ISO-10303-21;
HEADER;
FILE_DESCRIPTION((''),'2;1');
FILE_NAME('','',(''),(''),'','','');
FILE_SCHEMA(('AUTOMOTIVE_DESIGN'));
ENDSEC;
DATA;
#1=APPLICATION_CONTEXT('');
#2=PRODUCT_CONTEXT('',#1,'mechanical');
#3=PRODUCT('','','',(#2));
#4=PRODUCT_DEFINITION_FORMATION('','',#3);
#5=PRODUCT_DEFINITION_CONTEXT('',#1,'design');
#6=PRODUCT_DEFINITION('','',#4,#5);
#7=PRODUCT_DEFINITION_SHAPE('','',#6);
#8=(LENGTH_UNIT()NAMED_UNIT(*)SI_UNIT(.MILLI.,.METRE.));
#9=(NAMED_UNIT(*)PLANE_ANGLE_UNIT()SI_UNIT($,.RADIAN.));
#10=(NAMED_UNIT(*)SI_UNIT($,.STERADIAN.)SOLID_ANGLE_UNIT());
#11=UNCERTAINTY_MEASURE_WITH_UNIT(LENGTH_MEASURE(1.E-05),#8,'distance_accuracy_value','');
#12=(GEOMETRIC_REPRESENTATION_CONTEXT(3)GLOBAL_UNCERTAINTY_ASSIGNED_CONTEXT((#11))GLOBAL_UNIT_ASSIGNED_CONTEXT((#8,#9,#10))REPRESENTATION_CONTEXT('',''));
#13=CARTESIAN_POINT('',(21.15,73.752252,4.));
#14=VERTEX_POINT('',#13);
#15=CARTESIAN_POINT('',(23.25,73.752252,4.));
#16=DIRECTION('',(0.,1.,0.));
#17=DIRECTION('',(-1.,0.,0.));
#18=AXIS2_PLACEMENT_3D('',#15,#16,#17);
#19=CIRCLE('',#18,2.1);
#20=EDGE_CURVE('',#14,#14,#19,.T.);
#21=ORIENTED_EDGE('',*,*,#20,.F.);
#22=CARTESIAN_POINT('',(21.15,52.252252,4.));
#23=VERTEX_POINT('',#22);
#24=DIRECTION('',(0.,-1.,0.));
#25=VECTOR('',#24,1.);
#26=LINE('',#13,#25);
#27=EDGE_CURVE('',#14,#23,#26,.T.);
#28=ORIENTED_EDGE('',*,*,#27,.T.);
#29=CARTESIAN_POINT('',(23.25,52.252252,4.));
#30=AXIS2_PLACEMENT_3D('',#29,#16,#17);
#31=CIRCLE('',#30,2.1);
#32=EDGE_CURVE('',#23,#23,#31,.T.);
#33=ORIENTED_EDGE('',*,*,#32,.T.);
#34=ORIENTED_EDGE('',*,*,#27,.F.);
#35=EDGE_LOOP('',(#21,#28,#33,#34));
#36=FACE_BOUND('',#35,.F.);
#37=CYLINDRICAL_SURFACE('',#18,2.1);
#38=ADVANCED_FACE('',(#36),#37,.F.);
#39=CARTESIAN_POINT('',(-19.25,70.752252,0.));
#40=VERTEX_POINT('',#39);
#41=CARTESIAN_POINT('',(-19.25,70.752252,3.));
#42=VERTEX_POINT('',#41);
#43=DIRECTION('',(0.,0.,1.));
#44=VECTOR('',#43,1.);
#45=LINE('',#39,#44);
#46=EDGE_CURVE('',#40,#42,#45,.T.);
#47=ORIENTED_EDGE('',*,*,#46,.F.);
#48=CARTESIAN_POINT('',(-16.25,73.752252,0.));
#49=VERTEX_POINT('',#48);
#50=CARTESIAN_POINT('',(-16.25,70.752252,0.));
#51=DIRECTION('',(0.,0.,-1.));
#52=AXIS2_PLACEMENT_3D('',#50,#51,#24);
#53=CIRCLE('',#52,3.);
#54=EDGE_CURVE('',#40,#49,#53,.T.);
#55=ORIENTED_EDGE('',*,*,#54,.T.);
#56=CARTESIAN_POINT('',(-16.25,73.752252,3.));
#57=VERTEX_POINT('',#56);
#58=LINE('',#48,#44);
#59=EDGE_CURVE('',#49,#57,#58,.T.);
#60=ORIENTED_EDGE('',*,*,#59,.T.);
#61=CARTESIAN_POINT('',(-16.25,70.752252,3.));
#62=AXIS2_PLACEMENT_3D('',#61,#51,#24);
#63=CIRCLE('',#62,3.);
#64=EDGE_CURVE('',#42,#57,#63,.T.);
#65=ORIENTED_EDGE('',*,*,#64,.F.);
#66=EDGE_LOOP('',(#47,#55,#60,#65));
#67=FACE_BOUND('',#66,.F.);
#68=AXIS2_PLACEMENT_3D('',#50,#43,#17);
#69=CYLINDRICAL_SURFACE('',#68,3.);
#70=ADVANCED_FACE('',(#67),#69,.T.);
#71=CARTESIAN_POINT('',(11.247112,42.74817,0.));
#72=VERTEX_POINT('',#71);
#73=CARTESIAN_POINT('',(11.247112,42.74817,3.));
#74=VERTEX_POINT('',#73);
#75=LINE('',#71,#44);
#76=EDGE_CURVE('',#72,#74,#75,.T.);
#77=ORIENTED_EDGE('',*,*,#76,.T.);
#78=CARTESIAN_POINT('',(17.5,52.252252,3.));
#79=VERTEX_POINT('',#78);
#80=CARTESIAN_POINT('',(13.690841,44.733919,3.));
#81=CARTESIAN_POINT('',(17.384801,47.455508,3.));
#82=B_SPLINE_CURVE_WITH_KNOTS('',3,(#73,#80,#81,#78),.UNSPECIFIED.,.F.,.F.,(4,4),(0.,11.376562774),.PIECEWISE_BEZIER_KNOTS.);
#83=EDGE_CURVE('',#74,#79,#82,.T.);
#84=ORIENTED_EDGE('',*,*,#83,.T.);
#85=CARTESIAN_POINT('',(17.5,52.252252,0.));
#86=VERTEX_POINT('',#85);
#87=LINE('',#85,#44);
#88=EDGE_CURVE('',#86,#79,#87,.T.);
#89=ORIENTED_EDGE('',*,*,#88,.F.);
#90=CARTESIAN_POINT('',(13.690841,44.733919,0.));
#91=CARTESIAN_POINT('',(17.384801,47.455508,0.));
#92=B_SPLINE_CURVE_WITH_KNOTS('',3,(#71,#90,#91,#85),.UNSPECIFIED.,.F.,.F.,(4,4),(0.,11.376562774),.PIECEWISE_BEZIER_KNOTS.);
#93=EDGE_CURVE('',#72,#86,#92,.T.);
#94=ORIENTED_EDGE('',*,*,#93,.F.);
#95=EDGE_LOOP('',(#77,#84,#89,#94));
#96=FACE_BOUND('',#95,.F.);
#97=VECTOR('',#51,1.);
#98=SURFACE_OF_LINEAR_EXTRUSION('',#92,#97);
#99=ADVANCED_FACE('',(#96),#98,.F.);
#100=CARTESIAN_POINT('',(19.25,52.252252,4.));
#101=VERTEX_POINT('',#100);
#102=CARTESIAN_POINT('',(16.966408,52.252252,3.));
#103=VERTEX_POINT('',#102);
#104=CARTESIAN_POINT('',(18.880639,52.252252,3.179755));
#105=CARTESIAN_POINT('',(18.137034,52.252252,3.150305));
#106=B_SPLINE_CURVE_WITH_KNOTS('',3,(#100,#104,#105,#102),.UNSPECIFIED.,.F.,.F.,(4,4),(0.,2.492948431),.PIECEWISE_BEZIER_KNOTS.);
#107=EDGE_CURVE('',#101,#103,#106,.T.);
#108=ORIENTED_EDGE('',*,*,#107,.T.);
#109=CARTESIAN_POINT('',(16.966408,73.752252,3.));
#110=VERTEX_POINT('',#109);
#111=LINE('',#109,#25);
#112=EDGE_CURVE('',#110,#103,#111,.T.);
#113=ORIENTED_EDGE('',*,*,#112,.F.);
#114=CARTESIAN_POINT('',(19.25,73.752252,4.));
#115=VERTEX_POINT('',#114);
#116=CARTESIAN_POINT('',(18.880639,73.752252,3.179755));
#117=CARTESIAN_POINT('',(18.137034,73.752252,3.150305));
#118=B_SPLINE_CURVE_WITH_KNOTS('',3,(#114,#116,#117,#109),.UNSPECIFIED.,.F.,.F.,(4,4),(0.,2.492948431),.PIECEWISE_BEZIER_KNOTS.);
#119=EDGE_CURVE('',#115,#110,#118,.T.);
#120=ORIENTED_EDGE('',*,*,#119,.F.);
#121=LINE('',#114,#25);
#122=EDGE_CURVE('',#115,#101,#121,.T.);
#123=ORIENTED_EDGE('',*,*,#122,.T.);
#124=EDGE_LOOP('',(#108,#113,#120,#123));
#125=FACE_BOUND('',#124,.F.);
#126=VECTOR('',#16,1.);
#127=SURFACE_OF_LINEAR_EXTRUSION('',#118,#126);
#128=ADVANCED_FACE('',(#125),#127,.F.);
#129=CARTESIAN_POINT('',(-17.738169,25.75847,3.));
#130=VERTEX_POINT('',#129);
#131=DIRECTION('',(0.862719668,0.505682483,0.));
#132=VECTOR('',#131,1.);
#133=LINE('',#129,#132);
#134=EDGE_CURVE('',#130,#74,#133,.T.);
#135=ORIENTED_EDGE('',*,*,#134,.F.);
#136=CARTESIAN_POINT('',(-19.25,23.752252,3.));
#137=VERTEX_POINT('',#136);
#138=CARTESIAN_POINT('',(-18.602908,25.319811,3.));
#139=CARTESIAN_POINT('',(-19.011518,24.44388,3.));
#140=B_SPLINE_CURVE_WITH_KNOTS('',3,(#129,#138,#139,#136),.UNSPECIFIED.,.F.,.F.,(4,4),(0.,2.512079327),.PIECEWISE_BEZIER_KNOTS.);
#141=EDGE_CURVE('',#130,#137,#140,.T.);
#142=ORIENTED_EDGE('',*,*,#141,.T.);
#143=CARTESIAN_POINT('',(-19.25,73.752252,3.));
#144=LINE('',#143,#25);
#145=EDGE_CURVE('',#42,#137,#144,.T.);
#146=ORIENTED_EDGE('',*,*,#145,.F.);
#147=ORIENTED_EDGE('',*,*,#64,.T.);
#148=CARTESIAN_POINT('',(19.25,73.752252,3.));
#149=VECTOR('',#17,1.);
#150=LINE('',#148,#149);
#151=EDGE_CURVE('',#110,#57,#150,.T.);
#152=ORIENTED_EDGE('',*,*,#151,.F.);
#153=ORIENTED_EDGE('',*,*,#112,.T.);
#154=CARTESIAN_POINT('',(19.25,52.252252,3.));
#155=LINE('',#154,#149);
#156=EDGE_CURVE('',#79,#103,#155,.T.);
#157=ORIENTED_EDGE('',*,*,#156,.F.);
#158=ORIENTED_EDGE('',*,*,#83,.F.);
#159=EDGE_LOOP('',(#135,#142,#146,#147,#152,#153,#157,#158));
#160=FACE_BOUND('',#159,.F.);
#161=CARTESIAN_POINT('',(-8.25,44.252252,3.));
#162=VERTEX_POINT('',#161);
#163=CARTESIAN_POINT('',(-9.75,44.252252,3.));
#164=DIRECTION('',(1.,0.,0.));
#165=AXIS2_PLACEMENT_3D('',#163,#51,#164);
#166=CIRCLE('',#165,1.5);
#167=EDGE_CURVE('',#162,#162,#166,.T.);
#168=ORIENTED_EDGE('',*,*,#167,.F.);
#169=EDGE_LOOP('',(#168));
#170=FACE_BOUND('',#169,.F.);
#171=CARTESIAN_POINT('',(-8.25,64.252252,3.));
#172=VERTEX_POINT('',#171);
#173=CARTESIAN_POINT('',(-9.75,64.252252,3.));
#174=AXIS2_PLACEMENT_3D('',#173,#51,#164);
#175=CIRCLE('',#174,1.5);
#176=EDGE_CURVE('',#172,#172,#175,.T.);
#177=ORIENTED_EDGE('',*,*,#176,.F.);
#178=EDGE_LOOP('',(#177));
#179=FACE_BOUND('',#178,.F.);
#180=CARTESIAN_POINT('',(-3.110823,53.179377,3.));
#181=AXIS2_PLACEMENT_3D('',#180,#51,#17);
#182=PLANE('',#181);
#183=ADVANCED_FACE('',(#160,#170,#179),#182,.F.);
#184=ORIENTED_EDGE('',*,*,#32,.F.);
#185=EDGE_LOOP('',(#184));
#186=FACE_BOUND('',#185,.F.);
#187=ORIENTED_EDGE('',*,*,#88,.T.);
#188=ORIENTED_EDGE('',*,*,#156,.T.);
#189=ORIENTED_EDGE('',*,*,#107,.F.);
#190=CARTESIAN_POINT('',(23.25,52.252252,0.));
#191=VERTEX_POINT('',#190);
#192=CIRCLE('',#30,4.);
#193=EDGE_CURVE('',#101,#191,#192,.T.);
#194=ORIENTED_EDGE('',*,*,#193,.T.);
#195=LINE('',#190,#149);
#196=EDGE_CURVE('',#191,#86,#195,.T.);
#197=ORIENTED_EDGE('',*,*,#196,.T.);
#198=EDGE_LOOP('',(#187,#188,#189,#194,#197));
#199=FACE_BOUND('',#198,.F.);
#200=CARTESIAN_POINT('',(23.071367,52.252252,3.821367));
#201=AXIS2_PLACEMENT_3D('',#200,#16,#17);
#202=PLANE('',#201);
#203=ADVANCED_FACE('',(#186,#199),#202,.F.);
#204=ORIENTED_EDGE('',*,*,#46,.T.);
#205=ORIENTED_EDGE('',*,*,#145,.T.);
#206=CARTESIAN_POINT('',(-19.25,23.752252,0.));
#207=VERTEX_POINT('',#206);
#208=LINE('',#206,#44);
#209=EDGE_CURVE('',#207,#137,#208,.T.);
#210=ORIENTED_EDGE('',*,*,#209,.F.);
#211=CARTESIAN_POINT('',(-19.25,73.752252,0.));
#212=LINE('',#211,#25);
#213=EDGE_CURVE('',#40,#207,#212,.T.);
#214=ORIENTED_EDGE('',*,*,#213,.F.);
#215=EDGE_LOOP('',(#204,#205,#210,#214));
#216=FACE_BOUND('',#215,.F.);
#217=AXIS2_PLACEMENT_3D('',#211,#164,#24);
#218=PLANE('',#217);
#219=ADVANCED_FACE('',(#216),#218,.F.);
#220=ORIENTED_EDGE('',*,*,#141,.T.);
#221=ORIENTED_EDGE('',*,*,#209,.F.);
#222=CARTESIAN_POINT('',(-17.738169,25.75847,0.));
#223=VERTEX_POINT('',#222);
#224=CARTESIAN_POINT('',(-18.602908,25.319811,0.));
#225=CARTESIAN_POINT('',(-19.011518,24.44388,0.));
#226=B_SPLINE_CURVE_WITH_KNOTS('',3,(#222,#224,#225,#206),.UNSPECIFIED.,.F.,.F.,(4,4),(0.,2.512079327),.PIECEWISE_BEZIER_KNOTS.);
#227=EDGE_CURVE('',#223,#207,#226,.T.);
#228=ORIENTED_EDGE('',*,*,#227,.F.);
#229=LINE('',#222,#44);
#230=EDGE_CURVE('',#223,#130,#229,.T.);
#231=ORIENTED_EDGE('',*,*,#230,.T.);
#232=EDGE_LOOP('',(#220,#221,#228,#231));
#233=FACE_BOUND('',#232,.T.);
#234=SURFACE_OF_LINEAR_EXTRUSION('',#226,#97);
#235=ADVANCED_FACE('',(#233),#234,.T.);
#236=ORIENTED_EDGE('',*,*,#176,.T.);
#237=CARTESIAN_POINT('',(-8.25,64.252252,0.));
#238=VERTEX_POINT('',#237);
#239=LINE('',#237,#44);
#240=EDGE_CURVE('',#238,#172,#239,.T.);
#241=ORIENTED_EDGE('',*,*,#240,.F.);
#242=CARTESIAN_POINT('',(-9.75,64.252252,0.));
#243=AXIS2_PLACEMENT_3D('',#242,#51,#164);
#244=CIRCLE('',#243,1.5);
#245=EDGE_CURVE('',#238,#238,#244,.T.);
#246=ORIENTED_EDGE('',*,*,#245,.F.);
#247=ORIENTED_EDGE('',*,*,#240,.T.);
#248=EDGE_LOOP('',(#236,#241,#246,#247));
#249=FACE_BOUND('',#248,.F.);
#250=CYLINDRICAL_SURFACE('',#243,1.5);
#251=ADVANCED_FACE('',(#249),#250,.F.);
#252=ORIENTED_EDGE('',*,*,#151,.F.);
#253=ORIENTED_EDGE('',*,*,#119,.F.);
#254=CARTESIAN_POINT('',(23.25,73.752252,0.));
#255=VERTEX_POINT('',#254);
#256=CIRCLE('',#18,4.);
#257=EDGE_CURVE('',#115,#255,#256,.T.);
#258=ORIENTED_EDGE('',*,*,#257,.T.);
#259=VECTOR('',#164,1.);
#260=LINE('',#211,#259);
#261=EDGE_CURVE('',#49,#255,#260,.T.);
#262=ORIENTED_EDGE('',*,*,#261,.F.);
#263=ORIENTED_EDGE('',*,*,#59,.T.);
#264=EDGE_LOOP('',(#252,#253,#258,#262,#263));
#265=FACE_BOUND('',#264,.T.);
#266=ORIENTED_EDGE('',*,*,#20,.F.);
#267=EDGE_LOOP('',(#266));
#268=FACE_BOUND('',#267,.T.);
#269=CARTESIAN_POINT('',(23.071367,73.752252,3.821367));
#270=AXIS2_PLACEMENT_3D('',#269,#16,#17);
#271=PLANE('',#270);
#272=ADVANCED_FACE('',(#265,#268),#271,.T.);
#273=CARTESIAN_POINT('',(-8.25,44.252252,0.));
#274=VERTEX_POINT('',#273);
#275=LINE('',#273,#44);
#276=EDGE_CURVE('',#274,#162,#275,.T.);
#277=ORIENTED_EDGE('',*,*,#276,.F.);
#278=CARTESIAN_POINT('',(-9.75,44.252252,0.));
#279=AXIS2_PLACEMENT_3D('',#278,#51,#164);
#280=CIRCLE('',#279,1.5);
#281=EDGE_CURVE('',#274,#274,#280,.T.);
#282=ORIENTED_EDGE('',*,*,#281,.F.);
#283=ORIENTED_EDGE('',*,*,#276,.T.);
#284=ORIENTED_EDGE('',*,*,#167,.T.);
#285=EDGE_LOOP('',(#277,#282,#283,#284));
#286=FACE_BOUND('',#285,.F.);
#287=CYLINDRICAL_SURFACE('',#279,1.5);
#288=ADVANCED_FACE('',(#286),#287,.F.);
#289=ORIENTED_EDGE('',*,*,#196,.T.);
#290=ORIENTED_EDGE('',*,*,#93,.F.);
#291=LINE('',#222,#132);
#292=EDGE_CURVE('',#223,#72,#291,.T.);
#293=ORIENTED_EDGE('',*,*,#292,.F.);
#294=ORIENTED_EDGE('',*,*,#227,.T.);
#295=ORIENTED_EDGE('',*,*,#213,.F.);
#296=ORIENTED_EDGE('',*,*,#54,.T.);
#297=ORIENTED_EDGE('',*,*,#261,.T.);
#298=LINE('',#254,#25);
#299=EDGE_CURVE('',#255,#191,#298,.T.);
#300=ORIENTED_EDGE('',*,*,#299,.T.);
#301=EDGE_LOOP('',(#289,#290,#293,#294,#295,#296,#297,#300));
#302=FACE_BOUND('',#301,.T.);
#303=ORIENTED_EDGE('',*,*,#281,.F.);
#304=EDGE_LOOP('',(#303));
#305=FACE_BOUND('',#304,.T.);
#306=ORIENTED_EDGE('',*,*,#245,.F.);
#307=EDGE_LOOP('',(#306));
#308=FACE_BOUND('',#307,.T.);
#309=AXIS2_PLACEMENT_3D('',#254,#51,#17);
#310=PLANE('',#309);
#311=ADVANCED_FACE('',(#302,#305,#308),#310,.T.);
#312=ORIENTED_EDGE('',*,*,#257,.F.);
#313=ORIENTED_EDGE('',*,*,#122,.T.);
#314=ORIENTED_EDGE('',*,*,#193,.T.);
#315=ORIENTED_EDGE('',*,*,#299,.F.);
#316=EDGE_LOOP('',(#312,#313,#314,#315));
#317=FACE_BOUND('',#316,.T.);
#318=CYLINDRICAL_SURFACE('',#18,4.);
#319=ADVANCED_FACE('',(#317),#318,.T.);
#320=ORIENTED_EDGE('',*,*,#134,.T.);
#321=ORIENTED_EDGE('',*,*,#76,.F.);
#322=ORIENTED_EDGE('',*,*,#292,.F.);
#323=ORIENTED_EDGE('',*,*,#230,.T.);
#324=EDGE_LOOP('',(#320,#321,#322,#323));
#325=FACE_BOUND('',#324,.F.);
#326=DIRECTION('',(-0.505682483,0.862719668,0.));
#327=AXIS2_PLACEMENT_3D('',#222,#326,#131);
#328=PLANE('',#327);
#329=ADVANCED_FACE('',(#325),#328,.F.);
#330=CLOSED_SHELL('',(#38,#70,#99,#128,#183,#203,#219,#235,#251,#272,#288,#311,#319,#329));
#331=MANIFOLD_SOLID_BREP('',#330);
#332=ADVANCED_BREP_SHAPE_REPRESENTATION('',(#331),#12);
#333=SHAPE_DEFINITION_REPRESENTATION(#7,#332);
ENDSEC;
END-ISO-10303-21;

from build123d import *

# Parameters (mm, degrees)
F1_DEPTH = 3
F2_R     = 2.1
F3_DEPTH = 21.5
F4_R     = 3
F5_R     = 1.5
F6_DEPTH = 3


with BuildPart() as f1:
    # F0 (on Top) → F1 (new body)
    with BuildSketch(Plane.XY):
        with BuildLine():
            add(Edge.make_bspline(
                [(-17.7381685377, 25.758469689), (-18.6029082943, 25.3198112197), (-19.0115179867, 24.4438797075), (-19.25, 23.7522523094)],
                knots=[0, 0, 0, 0, 2.5120793269, 2.5120793269, 2.5120793269, 2.5120793269], degree=3))
            Line((-17.7381685377, 25.758469689), (11.2471123299, 42.7481702213))
            add(Edge.make_bspline(
                [(11.2471123299, 42.7481702213), (13.6908411554, 44.7339186325), (17.38480106, 47.4555082619), (17.5, 52.2522523094)],
                knots=[0, 0, 0, 0, 11.376562774, 11.376562774, 11.376562774, 11.376562774], degree=3))
            Line((17.5, 52.2522523094), (19.25, 52.2522523094))
            Line((19.25, 52.2522523094), (19.25, 73.7522523094))
            Line((19.25, 73.7522523094), (-19.25, 73.7522523094))
            Line((-19.25, 73.7522523094), (-19.25, 23.7522523094))
        make_face()
    extrude(amount=F1_DEPTH)

    # F2 (on face) → F3 (join)
    with BuildSketch(Plane(origin=(0, 73.7522523094, 0), x_dir=(-1, 0, 0), z_dir=(0, 1, 0))):
        with BuildLine():
            ThreePointArc((-23.25, 0), (-20.4215728753, 1.1715728753), (-19.25, 4))
            ThreePointArc((-19.25, 4), (-26.0784271247, 6.8284271247), (-23.25, 0))
        make_face()
        with Locations((-23.25, 4)):
            Circle(F2_R, mode=Mode.SUBTRACT)
        with BuildLine():
            Line((-23.25, 0), (-19.25, 0))
            Line((-19.25, 0), (-19.25, 3))
            Line((-19.25, 3), (-16.9664081186, 3))
            add(Edge.make_bspline(
                [(-19.25, 4), (-18.8806392252, 3.1797552947), (-18.1370340288, 3.1503054779), (-16.9664081186, 3)],
                knots=[0, 0, 0, 0, 2.4929484312, 2.4929484312, 2.4929484312, 2.4929484312], degree=3))
            ThreePointArc((-19.25, 4), (-20.4215728753, 1.1715728753), (-23.25, 0))
        make_face()
    extrude(amount=-F3_DEPTH)

    # F4
    f4_edges = [f1.edges().sort_by_distance(p)[0] for p in [
        (-19.25, 73.752252, 1.5),
    ]]
    fillet(f4_edges, radius=F4_R)

    # F5 (on face) → F6 (cut)
    with BuildSketch(Plane(origin=(0, 0, 0), x_dir=(1, 0, 0), z_dir=(0, 0, -1))):
        with Locations((-9.75, -64.2522523094)):
            Circle(F5_R)
        with Locations((-9.75, -44.2522523094)):
            Circle(F5_R)
    extrude(amount=-F6_DEPTH, mode=Mode.SUBTRACT)


solid = f1.part
